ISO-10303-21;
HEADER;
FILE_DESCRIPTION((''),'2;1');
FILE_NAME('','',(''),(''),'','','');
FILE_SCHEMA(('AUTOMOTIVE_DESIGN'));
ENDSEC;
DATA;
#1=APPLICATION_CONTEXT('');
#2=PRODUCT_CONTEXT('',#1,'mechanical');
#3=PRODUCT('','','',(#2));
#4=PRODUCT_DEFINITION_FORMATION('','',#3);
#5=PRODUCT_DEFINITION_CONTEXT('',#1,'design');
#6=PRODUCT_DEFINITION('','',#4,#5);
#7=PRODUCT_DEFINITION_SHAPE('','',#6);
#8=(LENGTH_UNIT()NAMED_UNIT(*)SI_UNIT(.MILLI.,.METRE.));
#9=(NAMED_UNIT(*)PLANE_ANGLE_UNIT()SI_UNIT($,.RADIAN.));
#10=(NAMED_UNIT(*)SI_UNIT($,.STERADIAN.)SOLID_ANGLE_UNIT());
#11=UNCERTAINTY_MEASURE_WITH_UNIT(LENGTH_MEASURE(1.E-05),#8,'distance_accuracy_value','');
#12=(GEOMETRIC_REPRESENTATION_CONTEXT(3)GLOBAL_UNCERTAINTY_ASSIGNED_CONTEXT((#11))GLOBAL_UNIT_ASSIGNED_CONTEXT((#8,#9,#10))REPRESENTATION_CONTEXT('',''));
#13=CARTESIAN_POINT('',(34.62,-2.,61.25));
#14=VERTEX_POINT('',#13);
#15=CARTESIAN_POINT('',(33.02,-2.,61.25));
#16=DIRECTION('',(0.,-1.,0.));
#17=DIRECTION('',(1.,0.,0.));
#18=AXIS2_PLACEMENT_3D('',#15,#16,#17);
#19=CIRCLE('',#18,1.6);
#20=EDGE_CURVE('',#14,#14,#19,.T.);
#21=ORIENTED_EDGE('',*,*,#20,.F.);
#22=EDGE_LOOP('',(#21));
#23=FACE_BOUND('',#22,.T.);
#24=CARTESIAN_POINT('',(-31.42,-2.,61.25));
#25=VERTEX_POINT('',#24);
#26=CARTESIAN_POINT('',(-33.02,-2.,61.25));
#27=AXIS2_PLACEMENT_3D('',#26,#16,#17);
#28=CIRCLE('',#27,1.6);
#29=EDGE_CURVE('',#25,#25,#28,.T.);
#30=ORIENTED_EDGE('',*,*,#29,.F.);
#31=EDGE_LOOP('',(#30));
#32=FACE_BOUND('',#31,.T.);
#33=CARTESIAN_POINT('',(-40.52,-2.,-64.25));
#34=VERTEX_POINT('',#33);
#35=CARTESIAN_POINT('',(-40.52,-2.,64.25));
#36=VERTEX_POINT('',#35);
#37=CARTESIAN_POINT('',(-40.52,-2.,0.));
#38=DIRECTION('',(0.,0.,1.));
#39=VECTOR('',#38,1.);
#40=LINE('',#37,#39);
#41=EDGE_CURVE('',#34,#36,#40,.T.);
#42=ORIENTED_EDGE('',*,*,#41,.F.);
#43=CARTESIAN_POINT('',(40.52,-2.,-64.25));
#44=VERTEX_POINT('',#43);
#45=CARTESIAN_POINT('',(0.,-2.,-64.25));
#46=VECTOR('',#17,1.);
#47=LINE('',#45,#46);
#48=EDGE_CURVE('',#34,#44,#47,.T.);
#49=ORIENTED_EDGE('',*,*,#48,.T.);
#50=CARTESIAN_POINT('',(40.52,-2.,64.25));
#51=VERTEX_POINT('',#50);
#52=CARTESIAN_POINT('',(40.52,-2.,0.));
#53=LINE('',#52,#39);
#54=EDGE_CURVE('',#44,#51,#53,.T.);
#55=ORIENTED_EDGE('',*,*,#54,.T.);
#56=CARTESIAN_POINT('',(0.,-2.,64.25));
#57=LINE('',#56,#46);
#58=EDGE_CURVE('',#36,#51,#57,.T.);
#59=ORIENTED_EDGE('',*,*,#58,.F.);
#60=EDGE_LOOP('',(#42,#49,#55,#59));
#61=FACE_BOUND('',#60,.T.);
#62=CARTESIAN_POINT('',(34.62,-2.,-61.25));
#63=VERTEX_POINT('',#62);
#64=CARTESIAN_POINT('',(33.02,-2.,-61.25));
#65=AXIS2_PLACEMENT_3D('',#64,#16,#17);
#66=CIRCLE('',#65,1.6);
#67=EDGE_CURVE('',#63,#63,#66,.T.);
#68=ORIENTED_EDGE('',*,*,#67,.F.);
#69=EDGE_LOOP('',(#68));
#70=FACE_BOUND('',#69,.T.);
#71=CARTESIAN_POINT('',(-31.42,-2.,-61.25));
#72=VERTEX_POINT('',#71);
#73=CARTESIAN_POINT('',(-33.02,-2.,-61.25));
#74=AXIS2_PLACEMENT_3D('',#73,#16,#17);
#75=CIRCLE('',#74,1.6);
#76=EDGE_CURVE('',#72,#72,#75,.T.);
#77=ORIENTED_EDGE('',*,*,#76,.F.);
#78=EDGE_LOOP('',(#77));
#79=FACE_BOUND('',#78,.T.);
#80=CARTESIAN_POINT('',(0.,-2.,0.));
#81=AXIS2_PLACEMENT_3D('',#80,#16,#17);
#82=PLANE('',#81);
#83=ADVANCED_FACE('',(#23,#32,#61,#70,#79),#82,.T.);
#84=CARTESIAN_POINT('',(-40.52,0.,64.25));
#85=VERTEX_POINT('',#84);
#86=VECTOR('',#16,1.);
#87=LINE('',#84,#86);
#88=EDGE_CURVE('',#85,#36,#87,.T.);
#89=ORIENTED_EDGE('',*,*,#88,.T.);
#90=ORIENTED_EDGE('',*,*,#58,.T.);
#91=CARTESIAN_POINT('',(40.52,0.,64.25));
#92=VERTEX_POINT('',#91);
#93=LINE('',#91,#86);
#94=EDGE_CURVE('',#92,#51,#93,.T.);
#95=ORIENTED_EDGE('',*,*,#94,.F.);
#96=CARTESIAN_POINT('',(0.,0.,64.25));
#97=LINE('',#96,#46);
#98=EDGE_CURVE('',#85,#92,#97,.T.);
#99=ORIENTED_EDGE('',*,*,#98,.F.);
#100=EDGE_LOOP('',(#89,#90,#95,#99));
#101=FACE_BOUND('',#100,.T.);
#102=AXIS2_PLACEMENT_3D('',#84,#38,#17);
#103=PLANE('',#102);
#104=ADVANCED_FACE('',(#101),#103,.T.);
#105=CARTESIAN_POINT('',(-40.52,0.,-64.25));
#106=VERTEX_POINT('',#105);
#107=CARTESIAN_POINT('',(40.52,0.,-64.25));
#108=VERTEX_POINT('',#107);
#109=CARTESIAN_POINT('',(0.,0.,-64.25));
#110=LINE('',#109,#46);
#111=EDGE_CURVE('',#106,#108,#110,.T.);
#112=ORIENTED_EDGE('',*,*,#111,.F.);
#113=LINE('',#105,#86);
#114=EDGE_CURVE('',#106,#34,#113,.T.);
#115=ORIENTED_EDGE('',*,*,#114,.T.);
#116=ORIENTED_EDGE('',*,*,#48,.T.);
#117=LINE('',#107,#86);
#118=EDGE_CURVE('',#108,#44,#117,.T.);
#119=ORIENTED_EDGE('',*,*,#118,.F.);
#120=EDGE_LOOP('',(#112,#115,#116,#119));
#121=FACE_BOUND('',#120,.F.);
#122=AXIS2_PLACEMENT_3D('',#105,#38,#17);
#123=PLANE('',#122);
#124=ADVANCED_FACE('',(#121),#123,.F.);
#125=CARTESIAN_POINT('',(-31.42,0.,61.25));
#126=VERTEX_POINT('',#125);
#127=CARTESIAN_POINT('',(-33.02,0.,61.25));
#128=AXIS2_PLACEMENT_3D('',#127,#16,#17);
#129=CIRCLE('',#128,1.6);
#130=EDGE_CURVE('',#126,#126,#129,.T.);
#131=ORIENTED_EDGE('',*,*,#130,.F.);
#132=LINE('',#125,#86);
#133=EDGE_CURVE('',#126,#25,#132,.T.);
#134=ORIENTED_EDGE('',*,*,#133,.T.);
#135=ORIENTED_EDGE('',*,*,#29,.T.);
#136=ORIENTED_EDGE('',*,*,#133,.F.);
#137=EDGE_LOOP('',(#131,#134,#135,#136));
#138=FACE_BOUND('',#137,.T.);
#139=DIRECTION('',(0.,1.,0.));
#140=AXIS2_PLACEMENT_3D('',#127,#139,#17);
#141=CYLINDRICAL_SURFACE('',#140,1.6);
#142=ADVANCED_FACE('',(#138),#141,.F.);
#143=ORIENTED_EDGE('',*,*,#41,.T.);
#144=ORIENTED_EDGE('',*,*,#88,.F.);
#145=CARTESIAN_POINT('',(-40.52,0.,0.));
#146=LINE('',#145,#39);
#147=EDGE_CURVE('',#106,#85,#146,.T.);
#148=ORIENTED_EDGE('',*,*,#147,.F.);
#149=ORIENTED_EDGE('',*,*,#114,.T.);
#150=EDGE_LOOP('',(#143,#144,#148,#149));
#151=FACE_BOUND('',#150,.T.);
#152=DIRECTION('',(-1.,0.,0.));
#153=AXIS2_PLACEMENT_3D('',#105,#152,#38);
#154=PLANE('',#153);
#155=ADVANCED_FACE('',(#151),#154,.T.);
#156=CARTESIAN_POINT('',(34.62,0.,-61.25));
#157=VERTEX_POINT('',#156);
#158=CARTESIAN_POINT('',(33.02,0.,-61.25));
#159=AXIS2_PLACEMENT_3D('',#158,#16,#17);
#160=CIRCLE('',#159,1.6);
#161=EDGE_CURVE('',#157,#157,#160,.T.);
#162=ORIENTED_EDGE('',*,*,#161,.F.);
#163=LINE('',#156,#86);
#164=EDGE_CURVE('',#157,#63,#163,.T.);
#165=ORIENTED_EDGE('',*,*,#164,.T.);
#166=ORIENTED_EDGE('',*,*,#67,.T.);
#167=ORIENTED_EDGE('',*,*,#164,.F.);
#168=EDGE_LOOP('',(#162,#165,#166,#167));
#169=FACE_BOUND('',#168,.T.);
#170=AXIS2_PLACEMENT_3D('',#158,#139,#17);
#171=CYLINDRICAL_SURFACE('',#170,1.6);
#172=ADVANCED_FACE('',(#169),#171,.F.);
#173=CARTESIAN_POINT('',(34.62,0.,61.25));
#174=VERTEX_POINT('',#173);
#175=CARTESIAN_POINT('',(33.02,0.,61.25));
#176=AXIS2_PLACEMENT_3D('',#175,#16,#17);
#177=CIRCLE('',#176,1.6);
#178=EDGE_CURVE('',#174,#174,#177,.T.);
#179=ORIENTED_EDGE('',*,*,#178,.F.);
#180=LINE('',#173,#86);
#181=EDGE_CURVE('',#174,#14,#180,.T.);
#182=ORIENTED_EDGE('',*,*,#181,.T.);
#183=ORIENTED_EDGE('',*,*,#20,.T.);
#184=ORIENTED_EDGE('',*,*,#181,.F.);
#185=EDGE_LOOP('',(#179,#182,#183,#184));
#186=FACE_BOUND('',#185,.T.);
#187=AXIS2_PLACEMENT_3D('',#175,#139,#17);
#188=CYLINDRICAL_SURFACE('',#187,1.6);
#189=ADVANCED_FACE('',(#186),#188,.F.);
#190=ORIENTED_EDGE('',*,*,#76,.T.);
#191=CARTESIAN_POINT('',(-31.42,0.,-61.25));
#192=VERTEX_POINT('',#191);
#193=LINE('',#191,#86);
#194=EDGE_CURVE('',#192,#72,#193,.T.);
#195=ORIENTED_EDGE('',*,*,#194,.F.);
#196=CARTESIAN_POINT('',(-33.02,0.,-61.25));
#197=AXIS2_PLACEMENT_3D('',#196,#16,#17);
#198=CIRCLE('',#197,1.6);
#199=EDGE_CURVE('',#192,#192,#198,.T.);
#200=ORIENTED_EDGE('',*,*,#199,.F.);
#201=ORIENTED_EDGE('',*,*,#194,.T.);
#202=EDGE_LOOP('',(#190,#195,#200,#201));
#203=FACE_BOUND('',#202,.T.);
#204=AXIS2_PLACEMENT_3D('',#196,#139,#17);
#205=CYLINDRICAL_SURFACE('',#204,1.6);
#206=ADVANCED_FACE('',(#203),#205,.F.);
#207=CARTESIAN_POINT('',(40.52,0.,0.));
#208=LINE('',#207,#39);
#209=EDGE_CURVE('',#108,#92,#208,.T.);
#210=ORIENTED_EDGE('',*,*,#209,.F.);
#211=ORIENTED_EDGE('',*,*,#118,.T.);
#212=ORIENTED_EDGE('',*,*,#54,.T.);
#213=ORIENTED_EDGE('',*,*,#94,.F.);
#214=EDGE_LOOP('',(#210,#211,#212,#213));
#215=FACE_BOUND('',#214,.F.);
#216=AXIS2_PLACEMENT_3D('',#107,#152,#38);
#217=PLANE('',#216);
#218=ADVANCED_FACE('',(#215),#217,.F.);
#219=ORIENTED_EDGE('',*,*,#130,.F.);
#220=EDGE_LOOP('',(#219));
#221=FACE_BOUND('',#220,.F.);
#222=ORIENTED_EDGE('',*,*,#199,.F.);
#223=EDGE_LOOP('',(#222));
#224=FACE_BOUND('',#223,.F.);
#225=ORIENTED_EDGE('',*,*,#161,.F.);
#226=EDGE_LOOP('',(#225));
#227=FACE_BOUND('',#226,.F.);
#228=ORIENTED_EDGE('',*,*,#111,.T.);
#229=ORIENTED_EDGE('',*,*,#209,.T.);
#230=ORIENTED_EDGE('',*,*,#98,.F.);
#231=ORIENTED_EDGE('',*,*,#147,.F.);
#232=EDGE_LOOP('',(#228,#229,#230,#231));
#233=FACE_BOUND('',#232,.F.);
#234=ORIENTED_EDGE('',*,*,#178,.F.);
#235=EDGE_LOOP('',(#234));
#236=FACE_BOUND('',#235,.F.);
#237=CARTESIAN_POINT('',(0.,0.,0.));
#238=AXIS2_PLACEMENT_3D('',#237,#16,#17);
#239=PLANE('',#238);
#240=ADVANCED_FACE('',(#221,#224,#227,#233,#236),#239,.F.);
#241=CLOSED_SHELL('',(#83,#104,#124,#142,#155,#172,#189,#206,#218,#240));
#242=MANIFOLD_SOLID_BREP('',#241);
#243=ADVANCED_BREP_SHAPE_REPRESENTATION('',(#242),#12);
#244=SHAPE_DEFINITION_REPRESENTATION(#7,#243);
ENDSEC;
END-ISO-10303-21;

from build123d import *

# Parameters (mm, degrees)
SKETCH_W  = 81.04
SKETCH_H  = 128.5
SKETCH_R  = 1.6
PAD_DEPTH = 2


with BuildPart() as part:
    # Sketch → Pad (new body)
    with BuildSketch(Plane.XZ):
        Rectangle(SKETCH_W, SKETCH_H)
        with Locations((-33.02, 61.25)):
            Circle(SKETCH_R, mode=Mode.SUBTRACT)
        with Locations((33.02, 61.25)):
            Circle(SKETCH_R, mode=Mode.SUBTRACT)
        with Locations((33.02, -61.25)):
            Circle(SKETCH_R, mode=Mode.SUBTRACT)
        with Locations((-33.02, -61.25)):
            Circle(SKETCH_R, mode=Mode.SUBTRACT)
    extrude(amount=PAD_DEPTH)


solid = part.part
